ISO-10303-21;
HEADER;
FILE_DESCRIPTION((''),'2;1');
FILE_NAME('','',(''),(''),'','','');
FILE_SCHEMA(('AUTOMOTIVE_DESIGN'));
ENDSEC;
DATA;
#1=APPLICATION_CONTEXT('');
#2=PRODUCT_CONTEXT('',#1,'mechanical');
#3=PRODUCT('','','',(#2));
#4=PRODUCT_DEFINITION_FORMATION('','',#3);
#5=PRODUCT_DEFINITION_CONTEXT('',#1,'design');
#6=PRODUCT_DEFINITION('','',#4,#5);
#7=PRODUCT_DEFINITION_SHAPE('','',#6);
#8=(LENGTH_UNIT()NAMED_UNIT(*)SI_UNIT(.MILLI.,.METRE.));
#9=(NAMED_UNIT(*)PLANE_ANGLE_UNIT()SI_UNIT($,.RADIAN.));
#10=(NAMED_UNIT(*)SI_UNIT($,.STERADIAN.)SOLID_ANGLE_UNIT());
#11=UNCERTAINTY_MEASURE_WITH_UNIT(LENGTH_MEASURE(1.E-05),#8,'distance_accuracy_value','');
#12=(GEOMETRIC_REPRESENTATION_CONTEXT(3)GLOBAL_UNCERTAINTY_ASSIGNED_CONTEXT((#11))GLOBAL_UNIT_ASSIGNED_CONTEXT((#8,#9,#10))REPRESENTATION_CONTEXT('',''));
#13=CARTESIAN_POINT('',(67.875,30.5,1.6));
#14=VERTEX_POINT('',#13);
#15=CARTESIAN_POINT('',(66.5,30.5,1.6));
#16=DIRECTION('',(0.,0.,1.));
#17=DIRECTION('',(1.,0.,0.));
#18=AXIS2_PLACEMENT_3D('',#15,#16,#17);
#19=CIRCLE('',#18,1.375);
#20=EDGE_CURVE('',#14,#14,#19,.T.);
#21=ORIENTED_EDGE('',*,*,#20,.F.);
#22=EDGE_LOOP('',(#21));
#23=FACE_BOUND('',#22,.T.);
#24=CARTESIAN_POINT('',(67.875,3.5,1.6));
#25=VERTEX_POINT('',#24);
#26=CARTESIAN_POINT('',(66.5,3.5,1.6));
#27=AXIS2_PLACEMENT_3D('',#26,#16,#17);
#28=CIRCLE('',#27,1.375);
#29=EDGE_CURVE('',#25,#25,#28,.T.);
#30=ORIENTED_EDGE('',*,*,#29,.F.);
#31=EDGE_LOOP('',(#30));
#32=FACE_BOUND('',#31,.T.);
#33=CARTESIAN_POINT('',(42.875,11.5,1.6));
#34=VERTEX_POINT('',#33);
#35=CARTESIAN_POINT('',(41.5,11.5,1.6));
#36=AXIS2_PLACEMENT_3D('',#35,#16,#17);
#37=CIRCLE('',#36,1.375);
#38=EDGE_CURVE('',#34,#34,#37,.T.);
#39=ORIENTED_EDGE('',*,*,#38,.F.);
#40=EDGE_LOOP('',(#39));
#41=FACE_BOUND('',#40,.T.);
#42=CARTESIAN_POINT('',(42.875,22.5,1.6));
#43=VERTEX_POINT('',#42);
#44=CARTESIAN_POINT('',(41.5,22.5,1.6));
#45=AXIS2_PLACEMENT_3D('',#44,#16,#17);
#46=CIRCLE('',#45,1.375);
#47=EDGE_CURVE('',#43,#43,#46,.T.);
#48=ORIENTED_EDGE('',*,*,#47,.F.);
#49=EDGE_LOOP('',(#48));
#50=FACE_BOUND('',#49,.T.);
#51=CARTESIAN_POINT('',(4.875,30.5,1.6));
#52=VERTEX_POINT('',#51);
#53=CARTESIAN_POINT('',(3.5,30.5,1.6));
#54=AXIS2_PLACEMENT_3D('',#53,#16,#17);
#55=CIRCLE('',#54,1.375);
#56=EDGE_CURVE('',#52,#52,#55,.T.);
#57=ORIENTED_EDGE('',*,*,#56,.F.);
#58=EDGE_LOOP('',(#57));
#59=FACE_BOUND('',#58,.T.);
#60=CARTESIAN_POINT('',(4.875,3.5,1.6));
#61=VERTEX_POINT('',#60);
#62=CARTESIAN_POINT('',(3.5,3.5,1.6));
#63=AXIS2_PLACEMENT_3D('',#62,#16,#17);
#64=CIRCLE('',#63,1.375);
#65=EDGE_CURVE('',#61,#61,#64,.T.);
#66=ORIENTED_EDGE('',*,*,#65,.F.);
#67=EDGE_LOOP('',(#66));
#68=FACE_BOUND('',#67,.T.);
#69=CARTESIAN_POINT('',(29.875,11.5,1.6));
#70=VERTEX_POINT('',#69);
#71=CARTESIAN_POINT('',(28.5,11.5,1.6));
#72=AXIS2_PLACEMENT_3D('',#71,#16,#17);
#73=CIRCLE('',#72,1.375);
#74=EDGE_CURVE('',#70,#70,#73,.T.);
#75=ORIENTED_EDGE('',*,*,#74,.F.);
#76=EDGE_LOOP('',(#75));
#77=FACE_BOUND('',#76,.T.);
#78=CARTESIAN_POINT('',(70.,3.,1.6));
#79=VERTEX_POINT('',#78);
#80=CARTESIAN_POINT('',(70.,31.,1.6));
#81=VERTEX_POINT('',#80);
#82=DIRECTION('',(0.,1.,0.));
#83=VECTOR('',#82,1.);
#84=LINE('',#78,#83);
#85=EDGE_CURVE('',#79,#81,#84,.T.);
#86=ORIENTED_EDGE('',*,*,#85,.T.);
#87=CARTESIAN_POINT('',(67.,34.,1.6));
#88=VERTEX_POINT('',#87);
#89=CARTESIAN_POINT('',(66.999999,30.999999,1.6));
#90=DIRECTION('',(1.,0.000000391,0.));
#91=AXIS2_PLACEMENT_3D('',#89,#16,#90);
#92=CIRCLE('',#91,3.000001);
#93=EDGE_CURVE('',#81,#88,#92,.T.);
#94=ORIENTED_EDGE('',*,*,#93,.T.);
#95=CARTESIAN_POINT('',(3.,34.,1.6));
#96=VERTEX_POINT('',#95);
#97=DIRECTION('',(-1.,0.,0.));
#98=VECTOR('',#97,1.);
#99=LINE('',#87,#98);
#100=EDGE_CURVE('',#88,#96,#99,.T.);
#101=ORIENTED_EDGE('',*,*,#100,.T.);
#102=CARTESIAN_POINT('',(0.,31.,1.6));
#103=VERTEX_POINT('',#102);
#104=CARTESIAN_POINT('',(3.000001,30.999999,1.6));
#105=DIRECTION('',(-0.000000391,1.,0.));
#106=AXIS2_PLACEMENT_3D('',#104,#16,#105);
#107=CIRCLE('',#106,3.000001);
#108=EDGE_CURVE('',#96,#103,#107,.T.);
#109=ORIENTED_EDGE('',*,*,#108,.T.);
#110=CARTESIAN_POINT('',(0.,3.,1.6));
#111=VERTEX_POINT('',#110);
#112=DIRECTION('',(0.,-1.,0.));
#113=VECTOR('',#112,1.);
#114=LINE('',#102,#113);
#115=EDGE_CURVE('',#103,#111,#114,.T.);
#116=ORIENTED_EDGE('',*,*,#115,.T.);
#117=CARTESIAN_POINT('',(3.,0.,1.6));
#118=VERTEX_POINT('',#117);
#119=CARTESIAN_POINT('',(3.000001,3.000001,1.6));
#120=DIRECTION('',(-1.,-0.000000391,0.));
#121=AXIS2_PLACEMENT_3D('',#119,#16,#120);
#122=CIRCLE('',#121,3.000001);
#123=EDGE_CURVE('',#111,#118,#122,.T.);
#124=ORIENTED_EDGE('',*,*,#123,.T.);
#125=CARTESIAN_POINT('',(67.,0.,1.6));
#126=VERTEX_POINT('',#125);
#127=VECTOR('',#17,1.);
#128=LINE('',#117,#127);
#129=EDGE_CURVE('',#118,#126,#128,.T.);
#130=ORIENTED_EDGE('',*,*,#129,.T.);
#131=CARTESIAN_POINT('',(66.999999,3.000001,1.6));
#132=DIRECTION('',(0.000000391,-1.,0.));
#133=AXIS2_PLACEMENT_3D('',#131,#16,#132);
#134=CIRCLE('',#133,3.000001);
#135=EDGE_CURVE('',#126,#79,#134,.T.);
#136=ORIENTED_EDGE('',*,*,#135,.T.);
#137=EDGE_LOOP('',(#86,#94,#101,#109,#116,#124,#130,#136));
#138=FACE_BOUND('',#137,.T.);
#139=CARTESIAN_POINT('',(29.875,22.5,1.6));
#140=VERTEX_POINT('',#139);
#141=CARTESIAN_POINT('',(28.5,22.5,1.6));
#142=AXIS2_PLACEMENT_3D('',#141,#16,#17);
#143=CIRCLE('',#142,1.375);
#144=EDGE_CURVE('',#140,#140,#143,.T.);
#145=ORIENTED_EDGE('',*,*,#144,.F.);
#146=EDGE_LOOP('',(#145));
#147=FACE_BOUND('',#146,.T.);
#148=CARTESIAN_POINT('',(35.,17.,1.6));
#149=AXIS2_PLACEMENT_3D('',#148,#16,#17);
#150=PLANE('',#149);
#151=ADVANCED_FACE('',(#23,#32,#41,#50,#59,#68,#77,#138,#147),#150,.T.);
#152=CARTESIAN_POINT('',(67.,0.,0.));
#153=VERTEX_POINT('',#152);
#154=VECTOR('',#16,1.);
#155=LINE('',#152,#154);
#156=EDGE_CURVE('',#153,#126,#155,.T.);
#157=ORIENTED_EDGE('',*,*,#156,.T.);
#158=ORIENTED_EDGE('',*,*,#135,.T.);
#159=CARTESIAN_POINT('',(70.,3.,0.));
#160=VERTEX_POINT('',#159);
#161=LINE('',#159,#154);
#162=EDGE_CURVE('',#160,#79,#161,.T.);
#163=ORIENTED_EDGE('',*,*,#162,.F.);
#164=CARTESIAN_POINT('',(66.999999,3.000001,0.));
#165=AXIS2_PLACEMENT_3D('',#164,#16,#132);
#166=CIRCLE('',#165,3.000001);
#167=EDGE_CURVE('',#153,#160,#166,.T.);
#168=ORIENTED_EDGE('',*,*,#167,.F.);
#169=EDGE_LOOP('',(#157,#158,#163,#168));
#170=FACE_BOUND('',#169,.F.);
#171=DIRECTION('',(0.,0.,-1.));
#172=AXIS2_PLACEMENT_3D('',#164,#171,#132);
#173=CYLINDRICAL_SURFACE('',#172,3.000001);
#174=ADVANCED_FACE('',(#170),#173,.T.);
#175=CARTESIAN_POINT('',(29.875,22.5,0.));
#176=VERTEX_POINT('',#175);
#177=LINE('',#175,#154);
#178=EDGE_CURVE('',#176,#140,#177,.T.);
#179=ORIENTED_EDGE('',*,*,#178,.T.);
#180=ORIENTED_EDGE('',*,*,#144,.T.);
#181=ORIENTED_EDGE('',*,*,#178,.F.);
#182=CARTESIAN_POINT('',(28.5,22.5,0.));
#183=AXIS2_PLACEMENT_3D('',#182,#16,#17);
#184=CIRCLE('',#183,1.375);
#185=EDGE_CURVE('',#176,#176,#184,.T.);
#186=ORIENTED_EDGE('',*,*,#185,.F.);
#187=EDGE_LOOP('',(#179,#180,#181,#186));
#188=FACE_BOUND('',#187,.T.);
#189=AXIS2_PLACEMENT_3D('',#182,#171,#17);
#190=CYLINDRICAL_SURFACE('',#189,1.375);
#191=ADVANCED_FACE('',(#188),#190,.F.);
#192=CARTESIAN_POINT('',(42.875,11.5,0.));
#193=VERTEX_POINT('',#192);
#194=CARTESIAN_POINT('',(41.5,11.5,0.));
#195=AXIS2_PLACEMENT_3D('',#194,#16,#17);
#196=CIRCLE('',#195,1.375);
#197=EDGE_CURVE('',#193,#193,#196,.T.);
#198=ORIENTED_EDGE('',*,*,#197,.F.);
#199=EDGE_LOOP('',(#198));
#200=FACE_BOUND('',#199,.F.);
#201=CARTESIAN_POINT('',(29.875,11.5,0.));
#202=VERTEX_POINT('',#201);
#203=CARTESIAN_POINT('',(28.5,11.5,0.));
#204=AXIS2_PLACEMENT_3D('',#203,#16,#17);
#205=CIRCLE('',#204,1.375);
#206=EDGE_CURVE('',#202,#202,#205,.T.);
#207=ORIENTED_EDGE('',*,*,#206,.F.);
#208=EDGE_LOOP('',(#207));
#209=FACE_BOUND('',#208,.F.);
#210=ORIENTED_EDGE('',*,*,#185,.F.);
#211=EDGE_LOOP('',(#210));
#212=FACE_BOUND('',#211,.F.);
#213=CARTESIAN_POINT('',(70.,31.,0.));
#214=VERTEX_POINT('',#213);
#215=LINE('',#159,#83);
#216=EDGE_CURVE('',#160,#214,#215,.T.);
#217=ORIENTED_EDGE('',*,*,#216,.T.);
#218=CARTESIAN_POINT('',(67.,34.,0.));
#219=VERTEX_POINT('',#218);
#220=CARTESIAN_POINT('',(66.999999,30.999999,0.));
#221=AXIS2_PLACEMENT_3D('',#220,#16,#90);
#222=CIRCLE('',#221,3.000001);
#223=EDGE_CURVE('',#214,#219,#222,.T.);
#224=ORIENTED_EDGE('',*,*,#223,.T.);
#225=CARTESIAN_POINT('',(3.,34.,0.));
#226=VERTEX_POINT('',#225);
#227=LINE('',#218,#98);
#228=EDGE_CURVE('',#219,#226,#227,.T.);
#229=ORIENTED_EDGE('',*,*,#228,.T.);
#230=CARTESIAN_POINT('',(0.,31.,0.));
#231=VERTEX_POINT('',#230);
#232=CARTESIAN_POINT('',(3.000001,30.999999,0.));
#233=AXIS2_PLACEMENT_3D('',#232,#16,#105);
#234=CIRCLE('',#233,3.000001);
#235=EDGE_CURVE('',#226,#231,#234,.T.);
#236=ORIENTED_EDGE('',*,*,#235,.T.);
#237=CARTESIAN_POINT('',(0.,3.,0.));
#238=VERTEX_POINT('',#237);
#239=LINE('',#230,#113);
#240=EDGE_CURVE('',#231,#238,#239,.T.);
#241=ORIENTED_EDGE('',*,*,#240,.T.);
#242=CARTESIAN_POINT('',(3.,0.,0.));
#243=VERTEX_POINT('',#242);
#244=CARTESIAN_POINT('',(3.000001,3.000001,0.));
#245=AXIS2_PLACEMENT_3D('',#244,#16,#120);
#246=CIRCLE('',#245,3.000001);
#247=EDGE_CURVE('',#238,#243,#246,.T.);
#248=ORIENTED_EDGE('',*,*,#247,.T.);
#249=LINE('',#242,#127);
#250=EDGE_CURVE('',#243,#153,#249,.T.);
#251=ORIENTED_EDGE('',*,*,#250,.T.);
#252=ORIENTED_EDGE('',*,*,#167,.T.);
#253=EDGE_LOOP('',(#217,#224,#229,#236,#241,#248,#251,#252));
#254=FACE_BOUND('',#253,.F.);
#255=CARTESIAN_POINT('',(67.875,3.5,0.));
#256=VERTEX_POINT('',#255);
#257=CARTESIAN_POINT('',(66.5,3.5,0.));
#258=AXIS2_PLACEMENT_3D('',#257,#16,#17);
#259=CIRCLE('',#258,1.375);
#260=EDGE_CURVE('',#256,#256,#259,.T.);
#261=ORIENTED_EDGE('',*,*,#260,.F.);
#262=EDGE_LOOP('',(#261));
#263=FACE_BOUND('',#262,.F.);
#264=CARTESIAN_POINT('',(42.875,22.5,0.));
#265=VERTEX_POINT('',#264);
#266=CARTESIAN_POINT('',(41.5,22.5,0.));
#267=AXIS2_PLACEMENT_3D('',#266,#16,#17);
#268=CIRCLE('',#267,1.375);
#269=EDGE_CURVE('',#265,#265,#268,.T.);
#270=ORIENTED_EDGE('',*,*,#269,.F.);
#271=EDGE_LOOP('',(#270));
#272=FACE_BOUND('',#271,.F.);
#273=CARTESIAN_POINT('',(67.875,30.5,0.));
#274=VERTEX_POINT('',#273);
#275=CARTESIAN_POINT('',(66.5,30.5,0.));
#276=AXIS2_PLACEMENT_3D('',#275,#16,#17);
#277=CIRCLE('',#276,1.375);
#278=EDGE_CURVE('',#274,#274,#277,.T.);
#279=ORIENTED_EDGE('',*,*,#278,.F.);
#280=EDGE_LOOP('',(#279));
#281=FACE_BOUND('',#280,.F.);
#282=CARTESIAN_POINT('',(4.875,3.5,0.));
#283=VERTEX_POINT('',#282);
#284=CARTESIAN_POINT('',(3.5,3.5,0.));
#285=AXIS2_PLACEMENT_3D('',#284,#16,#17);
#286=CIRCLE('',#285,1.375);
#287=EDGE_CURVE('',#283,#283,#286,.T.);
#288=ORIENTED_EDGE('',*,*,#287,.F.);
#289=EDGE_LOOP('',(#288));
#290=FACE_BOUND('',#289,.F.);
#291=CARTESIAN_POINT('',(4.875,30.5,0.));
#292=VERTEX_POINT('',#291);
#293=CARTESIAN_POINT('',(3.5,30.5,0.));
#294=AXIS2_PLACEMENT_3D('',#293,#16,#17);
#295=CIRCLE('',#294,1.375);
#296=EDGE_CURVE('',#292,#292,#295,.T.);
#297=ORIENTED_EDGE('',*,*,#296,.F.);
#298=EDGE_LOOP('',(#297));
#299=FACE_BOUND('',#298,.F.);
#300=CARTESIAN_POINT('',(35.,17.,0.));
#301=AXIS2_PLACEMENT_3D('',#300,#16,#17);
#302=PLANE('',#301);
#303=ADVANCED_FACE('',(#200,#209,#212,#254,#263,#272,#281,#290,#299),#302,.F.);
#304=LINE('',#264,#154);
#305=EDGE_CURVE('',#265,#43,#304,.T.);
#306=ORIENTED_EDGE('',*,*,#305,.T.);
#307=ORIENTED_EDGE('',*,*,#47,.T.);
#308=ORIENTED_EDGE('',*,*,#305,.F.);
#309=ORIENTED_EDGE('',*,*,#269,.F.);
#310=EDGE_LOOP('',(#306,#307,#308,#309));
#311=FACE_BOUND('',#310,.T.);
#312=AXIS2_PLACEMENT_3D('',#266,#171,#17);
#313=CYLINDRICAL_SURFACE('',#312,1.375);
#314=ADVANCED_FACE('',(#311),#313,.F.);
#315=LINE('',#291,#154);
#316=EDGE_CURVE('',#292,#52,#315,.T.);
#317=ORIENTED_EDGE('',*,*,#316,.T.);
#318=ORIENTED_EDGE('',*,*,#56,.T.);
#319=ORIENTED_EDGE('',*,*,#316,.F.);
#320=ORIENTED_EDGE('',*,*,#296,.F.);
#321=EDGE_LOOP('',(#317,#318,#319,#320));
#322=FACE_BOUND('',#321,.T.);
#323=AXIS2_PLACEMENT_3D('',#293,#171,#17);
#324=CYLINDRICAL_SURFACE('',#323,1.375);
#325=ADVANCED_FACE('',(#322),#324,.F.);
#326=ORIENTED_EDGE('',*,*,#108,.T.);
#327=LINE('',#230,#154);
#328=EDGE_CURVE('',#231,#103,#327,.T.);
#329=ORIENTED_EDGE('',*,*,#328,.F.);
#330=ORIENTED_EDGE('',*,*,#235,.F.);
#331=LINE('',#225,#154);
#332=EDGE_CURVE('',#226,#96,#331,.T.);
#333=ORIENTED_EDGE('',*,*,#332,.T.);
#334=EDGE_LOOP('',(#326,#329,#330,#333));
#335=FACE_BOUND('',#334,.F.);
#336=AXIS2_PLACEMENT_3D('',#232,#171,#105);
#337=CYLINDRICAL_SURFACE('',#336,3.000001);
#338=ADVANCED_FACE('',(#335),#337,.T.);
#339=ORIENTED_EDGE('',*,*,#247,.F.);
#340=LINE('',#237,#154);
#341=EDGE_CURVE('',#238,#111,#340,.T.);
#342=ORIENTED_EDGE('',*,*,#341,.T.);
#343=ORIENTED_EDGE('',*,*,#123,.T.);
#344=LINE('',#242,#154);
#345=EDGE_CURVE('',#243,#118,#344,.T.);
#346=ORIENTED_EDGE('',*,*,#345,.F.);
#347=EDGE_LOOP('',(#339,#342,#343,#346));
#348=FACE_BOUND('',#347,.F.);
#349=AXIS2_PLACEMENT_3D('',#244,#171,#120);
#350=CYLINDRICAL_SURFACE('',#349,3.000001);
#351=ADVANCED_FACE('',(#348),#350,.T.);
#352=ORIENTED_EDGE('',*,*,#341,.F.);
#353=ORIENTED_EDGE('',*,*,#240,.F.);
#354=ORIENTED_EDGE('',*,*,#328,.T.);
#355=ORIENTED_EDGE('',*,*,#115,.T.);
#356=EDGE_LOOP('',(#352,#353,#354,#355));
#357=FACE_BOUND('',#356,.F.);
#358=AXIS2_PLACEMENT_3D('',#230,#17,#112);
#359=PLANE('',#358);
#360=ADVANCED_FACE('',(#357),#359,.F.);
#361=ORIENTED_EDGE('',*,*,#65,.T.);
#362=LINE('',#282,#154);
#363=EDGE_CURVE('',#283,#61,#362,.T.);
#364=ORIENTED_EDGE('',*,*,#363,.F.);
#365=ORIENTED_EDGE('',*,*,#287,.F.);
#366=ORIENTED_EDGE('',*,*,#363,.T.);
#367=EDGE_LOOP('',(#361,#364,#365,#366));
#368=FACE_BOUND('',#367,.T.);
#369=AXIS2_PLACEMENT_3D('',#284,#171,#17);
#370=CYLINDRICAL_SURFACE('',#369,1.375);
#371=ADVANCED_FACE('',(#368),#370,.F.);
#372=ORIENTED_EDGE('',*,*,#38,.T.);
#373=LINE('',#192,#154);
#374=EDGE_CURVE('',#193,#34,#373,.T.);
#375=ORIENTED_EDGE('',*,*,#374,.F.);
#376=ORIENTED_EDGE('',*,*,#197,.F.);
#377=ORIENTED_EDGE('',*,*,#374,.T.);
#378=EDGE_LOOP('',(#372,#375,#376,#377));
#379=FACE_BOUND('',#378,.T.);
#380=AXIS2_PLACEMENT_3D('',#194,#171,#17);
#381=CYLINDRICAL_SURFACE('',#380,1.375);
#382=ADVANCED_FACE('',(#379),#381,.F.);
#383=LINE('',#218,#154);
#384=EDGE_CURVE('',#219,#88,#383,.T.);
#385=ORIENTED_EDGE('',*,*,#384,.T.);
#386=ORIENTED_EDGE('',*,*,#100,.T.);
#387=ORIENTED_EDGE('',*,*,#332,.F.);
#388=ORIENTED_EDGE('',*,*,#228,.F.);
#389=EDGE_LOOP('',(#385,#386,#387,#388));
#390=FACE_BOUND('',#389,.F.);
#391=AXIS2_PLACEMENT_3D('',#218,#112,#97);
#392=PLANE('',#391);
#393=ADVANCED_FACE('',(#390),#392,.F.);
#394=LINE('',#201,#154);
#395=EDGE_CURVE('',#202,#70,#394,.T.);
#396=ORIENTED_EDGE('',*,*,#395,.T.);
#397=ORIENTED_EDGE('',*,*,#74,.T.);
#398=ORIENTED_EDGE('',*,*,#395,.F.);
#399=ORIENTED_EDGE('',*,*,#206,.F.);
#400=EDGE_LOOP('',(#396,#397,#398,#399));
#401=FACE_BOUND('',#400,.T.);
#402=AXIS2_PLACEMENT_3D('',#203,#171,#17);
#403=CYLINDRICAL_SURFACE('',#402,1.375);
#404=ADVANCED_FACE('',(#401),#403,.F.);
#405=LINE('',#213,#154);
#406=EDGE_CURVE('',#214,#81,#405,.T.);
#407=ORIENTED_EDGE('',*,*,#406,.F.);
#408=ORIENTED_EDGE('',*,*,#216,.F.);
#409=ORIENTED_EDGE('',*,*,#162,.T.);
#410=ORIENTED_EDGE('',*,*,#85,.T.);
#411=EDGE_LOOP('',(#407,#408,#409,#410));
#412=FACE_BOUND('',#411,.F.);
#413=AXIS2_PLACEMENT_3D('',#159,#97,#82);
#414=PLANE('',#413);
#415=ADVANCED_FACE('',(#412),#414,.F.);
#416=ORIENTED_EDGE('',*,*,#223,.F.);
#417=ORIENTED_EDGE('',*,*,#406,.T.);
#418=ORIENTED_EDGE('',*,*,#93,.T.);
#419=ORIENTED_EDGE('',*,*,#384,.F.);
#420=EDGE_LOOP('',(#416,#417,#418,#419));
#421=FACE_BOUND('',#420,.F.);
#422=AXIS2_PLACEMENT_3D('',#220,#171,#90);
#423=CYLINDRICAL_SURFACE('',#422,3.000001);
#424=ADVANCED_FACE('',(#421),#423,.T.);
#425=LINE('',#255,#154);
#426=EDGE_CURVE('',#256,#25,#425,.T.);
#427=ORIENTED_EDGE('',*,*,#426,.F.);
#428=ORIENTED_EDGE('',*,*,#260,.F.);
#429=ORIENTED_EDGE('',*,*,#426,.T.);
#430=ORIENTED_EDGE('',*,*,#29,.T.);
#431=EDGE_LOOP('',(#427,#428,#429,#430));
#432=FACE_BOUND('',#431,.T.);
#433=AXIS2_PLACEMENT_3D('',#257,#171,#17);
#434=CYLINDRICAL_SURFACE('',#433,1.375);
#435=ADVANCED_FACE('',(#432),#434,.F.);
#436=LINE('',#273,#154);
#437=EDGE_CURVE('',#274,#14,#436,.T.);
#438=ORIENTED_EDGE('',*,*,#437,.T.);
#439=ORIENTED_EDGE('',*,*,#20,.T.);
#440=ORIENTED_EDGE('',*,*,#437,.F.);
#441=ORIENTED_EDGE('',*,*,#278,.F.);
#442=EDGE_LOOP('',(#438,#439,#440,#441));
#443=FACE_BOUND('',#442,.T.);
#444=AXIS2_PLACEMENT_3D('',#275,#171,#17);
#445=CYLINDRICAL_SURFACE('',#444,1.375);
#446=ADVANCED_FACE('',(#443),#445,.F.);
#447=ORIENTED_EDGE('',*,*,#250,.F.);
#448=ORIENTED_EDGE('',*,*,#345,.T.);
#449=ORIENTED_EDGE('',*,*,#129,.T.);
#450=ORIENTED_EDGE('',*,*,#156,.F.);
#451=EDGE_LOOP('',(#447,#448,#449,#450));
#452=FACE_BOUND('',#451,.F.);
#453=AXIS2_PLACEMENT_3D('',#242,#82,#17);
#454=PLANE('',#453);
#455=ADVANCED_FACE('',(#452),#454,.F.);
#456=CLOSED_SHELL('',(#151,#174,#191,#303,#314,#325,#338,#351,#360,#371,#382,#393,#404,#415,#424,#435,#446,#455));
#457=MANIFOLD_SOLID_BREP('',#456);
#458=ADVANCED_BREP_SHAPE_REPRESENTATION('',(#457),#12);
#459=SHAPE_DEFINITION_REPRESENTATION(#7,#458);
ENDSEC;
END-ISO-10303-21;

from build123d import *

# Parameters (mm, degrees)
F0_R     = 1.375
F1_DEPTH = 1.6


with BuildPart() as f1:
    # F0 (on Top) → F1 (new body)
    with BuildSketch(Plane.XY):
        with BuildLine():
            ThreePointArc((0, 3), (0.87868, 0.87868), (3, 0))
            Line((3, 0), (67, 0))
            ThreePointArc((67, 0), (69.12132, 0.87868), (70, 3))
            Line((70, 3), (70, 31))
            ThreePointArc((70, 31), (69.12132, 33.12132), (67, 34))
            Line((67, 34), (3, 34))
            ThreePointArc((3, 34), (0.87868, 33.12132), (0, 31))
            Line((0, 31), (0, 3))
        make_face()
        with Locations((3.5, 3.5)):
            Circle(F0_R, mode=Mode.SUBTRACT)
        with Locations((28.5, 11.5)):
            Circle(F0_R, mode=Mode.SUBTRACT)
        with Locations((66.5, 3.5)):
            Circle(F0_R, mode=Mode.SUBTRACT)
        with Locations((41.5, 11.5)):
            Circle(F0_R, mode=Mode.SUBTRACT)
        with Locations((28.5, 22.5)):
            Circle(F0_R, mode=Mode.SUBTRACT)
        with Locations((3.5, 30.5)):
            Circle(F0_R, mode=Mode.SUBTRACT)
        with Locations((41.5, 22.5)):
            Circle(F0_R, mode=Mode.SUBTRACT)
        with Locations((66.5, 30.5)):
            Circle(F0_R, mode=Mode.SUBTRACT)
    extrude(amount=F1_DEPTH)


solid = f1.part
